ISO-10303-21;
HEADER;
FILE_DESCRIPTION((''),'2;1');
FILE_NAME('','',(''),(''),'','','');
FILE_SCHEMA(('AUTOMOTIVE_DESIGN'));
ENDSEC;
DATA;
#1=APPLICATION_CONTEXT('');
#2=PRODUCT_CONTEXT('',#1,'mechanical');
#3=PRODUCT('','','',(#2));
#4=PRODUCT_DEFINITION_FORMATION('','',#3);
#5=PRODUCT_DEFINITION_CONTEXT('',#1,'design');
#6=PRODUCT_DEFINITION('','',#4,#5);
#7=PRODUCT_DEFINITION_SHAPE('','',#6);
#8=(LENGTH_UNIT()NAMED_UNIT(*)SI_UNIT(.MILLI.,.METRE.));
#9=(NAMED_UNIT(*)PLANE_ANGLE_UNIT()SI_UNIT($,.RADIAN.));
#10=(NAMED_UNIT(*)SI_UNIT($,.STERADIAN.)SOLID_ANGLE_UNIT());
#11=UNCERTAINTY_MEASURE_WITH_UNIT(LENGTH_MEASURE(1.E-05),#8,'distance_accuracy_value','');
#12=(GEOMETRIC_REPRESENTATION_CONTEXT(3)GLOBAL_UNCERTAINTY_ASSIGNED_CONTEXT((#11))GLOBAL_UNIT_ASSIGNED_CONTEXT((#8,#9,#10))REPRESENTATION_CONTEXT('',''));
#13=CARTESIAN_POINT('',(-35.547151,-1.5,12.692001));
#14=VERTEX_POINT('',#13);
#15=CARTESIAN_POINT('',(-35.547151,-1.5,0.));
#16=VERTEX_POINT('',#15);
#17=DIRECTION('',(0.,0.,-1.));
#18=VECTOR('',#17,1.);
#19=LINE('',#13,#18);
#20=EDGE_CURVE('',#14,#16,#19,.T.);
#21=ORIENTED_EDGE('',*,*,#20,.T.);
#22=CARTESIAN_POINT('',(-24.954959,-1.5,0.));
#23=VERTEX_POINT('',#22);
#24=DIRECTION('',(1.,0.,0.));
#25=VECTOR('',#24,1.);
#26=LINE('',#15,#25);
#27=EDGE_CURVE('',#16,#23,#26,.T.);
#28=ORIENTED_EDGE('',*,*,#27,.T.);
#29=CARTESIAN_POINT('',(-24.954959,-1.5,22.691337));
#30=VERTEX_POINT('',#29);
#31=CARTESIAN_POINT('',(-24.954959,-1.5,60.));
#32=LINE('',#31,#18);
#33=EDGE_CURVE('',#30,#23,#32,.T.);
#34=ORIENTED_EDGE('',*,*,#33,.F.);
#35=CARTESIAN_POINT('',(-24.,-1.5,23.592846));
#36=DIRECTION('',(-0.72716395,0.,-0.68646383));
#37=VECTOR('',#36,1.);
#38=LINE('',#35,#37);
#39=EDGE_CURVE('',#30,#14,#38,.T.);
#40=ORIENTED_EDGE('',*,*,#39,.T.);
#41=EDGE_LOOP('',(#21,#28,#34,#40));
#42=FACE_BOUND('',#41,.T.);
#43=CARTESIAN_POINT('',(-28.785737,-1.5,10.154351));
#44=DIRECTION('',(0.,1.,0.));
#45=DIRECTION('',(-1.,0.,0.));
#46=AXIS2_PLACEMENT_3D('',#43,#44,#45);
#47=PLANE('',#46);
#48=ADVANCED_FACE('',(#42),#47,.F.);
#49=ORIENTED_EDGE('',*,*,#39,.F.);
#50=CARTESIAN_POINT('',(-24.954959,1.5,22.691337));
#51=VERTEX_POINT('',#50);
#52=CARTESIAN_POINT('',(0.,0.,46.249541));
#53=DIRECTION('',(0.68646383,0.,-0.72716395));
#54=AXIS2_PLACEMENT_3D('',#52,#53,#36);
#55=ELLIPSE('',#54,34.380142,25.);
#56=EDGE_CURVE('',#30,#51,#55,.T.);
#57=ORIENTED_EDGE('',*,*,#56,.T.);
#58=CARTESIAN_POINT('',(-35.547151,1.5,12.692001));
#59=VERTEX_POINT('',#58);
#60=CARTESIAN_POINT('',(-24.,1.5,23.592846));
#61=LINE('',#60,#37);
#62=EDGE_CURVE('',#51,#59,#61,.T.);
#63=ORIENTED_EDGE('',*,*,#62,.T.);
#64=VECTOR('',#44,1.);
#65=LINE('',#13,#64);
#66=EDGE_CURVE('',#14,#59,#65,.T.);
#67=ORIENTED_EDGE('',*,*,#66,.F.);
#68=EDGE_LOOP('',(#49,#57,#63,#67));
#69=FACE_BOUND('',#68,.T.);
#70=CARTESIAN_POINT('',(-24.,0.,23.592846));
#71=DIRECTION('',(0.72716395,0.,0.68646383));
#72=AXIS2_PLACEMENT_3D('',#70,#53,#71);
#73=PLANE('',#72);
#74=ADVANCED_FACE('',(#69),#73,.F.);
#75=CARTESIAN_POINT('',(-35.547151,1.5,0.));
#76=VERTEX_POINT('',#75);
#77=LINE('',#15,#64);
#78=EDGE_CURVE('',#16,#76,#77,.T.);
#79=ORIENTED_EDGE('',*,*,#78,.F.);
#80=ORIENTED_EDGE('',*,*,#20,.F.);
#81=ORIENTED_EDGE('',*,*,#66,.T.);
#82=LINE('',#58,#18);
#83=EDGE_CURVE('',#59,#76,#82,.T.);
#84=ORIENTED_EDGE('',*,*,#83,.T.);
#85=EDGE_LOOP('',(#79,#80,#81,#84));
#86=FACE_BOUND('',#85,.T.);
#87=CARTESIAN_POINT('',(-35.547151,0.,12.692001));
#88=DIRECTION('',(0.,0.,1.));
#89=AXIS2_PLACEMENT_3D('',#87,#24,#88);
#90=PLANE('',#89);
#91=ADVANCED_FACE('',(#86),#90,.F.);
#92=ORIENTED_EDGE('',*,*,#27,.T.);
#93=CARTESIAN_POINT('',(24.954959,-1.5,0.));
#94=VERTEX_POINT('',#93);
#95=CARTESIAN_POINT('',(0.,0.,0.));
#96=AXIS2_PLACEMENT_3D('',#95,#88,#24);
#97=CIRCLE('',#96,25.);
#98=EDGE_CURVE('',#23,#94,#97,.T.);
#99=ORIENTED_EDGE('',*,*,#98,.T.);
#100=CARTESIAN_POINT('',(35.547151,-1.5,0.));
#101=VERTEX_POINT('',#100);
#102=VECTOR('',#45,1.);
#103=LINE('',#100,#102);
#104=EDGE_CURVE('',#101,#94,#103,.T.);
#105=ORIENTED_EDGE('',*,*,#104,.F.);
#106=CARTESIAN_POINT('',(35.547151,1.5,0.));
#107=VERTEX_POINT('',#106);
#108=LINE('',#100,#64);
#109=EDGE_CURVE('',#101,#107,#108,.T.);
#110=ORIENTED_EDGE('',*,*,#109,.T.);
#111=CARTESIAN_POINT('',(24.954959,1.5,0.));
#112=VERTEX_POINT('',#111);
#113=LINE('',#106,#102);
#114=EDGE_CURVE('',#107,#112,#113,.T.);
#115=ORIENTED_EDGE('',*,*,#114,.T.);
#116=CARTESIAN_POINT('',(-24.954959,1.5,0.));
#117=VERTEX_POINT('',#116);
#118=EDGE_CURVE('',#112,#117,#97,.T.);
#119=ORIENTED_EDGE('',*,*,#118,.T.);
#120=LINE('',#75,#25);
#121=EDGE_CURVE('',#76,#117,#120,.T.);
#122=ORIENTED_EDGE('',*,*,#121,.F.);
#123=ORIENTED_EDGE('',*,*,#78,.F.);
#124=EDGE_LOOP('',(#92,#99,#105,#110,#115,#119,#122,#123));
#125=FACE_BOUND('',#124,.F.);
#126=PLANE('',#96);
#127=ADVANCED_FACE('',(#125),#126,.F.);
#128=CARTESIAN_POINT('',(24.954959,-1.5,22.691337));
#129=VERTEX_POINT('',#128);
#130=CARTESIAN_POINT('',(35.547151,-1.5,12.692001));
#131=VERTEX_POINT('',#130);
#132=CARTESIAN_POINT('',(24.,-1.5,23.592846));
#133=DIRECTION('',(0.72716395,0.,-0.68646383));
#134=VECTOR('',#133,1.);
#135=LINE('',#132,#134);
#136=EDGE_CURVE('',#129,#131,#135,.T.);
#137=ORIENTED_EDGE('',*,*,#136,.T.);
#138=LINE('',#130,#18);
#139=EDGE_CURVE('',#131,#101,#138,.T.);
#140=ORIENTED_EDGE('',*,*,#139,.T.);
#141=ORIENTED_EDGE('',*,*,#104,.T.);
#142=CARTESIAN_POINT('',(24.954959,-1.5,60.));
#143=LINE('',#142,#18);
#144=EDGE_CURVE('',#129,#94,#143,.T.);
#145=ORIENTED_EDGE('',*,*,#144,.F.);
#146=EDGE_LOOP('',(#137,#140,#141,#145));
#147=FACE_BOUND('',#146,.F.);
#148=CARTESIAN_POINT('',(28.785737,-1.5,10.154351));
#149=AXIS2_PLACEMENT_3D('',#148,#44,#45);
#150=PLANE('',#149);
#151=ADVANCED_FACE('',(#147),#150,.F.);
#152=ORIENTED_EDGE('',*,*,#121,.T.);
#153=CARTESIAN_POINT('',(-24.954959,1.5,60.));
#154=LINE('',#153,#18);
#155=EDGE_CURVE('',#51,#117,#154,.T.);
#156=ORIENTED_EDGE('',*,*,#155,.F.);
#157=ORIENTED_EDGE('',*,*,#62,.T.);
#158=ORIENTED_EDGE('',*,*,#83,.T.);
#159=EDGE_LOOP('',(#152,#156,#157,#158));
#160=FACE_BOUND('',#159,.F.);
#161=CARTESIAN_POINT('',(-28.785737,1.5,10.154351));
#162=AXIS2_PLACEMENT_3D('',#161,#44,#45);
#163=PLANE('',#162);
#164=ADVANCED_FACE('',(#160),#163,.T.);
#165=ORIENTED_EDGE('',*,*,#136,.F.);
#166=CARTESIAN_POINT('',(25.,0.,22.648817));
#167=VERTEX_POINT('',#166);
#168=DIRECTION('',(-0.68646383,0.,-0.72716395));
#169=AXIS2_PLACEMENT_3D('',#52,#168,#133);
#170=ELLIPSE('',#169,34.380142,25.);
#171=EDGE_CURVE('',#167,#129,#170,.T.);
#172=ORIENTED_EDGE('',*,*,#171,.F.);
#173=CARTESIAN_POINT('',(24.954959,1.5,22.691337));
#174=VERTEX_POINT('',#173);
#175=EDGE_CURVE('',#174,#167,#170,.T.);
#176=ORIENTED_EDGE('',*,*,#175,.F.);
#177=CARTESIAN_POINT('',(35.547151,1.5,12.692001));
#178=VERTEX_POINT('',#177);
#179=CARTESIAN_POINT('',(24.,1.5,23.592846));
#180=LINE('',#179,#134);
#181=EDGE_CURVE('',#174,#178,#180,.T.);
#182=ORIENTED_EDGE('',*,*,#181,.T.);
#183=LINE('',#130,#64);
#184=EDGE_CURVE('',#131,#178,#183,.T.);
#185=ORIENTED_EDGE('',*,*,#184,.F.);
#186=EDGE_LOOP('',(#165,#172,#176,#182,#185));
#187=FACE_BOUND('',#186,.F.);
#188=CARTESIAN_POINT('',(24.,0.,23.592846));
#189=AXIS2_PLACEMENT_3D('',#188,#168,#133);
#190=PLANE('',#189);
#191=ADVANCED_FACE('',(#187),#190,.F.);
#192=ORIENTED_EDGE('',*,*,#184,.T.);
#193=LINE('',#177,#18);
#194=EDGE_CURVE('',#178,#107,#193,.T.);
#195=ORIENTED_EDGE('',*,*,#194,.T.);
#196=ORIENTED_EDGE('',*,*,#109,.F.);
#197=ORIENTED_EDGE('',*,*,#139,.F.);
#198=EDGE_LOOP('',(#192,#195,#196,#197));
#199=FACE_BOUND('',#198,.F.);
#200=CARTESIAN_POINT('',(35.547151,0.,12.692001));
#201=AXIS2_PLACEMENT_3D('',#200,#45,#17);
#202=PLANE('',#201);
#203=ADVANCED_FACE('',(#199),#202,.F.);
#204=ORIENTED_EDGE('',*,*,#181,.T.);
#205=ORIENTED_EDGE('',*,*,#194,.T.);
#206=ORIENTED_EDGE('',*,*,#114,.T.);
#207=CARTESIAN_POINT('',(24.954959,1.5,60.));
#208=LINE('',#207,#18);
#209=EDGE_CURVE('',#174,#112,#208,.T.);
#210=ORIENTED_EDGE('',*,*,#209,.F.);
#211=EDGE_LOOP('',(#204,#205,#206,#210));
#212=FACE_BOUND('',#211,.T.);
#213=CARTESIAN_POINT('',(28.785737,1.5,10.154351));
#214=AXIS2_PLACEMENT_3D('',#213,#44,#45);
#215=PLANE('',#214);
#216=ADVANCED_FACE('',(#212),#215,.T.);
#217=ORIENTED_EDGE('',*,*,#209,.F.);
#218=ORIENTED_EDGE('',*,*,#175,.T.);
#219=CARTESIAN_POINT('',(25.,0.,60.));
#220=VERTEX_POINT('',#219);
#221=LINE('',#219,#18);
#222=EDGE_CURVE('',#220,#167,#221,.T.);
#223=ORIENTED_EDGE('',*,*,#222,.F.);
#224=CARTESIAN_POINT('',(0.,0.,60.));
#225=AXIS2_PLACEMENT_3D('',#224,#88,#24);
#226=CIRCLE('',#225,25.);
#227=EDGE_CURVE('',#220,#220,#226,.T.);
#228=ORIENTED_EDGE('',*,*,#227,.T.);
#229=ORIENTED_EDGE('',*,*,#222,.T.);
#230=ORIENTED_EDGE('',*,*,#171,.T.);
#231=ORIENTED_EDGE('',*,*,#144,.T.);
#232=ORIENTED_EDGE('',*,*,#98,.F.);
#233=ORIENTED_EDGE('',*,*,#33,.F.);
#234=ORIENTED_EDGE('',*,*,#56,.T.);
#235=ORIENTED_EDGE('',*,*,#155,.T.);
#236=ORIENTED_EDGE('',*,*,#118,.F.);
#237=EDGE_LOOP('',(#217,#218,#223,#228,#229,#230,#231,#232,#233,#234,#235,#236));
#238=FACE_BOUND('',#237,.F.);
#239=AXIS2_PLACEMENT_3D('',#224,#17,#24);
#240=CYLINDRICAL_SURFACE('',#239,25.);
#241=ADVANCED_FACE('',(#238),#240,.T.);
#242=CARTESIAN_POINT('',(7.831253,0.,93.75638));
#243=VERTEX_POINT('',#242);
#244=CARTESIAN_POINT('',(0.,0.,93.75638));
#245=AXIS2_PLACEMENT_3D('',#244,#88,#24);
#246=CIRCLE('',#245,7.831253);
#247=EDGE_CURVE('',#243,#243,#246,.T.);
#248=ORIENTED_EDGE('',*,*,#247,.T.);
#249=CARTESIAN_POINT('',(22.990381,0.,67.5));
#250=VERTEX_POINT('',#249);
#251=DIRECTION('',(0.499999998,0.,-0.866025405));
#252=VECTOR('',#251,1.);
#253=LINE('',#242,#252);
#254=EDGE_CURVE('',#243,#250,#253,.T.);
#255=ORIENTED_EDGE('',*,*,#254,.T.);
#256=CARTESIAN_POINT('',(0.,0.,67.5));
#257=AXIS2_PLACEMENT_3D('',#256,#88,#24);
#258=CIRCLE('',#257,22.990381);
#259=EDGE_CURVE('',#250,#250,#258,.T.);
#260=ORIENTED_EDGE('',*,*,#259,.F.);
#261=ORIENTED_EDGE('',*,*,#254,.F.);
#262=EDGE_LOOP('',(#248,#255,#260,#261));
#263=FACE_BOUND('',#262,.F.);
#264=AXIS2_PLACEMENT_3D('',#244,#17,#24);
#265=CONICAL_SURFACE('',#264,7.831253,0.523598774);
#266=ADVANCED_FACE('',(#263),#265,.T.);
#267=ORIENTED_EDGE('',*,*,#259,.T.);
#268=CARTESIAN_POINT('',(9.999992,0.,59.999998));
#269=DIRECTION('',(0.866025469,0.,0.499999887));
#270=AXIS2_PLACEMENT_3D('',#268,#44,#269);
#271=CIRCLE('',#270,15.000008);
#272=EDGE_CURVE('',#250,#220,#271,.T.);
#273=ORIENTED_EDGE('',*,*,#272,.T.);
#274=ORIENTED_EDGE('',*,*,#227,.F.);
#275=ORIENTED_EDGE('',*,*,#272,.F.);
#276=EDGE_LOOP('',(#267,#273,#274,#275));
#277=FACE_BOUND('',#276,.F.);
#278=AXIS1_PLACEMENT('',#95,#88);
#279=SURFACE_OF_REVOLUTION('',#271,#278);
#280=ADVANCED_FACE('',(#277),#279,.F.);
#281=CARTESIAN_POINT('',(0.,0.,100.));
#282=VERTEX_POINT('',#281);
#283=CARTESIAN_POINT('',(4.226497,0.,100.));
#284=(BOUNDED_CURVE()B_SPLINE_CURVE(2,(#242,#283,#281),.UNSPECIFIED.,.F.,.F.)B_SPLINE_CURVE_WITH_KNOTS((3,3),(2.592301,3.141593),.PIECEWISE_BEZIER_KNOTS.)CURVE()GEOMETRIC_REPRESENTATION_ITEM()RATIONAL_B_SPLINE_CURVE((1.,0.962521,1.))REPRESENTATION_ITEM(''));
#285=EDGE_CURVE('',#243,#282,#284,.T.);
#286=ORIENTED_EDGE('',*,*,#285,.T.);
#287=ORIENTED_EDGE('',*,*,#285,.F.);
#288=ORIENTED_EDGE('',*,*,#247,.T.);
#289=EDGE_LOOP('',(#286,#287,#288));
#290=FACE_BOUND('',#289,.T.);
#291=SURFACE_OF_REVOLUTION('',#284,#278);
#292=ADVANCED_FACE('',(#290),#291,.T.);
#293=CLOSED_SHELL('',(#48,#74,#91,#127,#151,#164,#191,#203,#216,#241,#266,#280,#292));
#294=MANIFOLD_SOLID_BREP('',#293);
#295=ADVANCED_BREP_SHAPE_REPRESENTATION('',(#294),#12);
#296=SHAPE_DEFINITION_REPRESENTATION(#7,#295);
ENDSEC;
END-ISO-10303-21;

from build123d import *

# Parameters (mm, degrees)
PAD_DEPTH = 1.5


with BuildPart() as part:
    # Sketch → Revolution (revolve)
    with BuildSketch(Plane.XZ):
        with BuildLine():
            Line((0, 0), (0, 100))
            add(Edge.make_bspline(
                [(7.831253, 93.75638), (4.226497, 100), (0, 100)],
                knots=[2.592301, 2.592301, 2.592301, 3.141593, 3.141593, 3.141593], degree=2, weights=[1, 0.962521, 1]))
            Line((7.831253, 93.75638), (22.990381, 67.5))
            ThreePointArc((22.990381, 67.5), (24.488887, 63.882286), (25, 60))
            Line((25, 60), (25, 0))
            Line((25, 0), (0, 0))
        make_face()
    revolve(axis=Axis((0, 0, 0), (0, 0, 1)))

    # Sketch001 → Pad (new body, symmetric)
    with BuildSketch(Plane(origin=(24, 0, 0), x_dir=(1, 0, 0), z_dir=(0, -1, 0))):
        Polygon((0, 23.592846), (11.547151, 12.692001), (11.547151, 0), (0, 0), align=None)
    pad = extrude(amount=PAD_DEPTH, both=True)

    # Mirrored: Pad across YZ
    add(pad.mirror(Plane.YZ))


solid = part.part
